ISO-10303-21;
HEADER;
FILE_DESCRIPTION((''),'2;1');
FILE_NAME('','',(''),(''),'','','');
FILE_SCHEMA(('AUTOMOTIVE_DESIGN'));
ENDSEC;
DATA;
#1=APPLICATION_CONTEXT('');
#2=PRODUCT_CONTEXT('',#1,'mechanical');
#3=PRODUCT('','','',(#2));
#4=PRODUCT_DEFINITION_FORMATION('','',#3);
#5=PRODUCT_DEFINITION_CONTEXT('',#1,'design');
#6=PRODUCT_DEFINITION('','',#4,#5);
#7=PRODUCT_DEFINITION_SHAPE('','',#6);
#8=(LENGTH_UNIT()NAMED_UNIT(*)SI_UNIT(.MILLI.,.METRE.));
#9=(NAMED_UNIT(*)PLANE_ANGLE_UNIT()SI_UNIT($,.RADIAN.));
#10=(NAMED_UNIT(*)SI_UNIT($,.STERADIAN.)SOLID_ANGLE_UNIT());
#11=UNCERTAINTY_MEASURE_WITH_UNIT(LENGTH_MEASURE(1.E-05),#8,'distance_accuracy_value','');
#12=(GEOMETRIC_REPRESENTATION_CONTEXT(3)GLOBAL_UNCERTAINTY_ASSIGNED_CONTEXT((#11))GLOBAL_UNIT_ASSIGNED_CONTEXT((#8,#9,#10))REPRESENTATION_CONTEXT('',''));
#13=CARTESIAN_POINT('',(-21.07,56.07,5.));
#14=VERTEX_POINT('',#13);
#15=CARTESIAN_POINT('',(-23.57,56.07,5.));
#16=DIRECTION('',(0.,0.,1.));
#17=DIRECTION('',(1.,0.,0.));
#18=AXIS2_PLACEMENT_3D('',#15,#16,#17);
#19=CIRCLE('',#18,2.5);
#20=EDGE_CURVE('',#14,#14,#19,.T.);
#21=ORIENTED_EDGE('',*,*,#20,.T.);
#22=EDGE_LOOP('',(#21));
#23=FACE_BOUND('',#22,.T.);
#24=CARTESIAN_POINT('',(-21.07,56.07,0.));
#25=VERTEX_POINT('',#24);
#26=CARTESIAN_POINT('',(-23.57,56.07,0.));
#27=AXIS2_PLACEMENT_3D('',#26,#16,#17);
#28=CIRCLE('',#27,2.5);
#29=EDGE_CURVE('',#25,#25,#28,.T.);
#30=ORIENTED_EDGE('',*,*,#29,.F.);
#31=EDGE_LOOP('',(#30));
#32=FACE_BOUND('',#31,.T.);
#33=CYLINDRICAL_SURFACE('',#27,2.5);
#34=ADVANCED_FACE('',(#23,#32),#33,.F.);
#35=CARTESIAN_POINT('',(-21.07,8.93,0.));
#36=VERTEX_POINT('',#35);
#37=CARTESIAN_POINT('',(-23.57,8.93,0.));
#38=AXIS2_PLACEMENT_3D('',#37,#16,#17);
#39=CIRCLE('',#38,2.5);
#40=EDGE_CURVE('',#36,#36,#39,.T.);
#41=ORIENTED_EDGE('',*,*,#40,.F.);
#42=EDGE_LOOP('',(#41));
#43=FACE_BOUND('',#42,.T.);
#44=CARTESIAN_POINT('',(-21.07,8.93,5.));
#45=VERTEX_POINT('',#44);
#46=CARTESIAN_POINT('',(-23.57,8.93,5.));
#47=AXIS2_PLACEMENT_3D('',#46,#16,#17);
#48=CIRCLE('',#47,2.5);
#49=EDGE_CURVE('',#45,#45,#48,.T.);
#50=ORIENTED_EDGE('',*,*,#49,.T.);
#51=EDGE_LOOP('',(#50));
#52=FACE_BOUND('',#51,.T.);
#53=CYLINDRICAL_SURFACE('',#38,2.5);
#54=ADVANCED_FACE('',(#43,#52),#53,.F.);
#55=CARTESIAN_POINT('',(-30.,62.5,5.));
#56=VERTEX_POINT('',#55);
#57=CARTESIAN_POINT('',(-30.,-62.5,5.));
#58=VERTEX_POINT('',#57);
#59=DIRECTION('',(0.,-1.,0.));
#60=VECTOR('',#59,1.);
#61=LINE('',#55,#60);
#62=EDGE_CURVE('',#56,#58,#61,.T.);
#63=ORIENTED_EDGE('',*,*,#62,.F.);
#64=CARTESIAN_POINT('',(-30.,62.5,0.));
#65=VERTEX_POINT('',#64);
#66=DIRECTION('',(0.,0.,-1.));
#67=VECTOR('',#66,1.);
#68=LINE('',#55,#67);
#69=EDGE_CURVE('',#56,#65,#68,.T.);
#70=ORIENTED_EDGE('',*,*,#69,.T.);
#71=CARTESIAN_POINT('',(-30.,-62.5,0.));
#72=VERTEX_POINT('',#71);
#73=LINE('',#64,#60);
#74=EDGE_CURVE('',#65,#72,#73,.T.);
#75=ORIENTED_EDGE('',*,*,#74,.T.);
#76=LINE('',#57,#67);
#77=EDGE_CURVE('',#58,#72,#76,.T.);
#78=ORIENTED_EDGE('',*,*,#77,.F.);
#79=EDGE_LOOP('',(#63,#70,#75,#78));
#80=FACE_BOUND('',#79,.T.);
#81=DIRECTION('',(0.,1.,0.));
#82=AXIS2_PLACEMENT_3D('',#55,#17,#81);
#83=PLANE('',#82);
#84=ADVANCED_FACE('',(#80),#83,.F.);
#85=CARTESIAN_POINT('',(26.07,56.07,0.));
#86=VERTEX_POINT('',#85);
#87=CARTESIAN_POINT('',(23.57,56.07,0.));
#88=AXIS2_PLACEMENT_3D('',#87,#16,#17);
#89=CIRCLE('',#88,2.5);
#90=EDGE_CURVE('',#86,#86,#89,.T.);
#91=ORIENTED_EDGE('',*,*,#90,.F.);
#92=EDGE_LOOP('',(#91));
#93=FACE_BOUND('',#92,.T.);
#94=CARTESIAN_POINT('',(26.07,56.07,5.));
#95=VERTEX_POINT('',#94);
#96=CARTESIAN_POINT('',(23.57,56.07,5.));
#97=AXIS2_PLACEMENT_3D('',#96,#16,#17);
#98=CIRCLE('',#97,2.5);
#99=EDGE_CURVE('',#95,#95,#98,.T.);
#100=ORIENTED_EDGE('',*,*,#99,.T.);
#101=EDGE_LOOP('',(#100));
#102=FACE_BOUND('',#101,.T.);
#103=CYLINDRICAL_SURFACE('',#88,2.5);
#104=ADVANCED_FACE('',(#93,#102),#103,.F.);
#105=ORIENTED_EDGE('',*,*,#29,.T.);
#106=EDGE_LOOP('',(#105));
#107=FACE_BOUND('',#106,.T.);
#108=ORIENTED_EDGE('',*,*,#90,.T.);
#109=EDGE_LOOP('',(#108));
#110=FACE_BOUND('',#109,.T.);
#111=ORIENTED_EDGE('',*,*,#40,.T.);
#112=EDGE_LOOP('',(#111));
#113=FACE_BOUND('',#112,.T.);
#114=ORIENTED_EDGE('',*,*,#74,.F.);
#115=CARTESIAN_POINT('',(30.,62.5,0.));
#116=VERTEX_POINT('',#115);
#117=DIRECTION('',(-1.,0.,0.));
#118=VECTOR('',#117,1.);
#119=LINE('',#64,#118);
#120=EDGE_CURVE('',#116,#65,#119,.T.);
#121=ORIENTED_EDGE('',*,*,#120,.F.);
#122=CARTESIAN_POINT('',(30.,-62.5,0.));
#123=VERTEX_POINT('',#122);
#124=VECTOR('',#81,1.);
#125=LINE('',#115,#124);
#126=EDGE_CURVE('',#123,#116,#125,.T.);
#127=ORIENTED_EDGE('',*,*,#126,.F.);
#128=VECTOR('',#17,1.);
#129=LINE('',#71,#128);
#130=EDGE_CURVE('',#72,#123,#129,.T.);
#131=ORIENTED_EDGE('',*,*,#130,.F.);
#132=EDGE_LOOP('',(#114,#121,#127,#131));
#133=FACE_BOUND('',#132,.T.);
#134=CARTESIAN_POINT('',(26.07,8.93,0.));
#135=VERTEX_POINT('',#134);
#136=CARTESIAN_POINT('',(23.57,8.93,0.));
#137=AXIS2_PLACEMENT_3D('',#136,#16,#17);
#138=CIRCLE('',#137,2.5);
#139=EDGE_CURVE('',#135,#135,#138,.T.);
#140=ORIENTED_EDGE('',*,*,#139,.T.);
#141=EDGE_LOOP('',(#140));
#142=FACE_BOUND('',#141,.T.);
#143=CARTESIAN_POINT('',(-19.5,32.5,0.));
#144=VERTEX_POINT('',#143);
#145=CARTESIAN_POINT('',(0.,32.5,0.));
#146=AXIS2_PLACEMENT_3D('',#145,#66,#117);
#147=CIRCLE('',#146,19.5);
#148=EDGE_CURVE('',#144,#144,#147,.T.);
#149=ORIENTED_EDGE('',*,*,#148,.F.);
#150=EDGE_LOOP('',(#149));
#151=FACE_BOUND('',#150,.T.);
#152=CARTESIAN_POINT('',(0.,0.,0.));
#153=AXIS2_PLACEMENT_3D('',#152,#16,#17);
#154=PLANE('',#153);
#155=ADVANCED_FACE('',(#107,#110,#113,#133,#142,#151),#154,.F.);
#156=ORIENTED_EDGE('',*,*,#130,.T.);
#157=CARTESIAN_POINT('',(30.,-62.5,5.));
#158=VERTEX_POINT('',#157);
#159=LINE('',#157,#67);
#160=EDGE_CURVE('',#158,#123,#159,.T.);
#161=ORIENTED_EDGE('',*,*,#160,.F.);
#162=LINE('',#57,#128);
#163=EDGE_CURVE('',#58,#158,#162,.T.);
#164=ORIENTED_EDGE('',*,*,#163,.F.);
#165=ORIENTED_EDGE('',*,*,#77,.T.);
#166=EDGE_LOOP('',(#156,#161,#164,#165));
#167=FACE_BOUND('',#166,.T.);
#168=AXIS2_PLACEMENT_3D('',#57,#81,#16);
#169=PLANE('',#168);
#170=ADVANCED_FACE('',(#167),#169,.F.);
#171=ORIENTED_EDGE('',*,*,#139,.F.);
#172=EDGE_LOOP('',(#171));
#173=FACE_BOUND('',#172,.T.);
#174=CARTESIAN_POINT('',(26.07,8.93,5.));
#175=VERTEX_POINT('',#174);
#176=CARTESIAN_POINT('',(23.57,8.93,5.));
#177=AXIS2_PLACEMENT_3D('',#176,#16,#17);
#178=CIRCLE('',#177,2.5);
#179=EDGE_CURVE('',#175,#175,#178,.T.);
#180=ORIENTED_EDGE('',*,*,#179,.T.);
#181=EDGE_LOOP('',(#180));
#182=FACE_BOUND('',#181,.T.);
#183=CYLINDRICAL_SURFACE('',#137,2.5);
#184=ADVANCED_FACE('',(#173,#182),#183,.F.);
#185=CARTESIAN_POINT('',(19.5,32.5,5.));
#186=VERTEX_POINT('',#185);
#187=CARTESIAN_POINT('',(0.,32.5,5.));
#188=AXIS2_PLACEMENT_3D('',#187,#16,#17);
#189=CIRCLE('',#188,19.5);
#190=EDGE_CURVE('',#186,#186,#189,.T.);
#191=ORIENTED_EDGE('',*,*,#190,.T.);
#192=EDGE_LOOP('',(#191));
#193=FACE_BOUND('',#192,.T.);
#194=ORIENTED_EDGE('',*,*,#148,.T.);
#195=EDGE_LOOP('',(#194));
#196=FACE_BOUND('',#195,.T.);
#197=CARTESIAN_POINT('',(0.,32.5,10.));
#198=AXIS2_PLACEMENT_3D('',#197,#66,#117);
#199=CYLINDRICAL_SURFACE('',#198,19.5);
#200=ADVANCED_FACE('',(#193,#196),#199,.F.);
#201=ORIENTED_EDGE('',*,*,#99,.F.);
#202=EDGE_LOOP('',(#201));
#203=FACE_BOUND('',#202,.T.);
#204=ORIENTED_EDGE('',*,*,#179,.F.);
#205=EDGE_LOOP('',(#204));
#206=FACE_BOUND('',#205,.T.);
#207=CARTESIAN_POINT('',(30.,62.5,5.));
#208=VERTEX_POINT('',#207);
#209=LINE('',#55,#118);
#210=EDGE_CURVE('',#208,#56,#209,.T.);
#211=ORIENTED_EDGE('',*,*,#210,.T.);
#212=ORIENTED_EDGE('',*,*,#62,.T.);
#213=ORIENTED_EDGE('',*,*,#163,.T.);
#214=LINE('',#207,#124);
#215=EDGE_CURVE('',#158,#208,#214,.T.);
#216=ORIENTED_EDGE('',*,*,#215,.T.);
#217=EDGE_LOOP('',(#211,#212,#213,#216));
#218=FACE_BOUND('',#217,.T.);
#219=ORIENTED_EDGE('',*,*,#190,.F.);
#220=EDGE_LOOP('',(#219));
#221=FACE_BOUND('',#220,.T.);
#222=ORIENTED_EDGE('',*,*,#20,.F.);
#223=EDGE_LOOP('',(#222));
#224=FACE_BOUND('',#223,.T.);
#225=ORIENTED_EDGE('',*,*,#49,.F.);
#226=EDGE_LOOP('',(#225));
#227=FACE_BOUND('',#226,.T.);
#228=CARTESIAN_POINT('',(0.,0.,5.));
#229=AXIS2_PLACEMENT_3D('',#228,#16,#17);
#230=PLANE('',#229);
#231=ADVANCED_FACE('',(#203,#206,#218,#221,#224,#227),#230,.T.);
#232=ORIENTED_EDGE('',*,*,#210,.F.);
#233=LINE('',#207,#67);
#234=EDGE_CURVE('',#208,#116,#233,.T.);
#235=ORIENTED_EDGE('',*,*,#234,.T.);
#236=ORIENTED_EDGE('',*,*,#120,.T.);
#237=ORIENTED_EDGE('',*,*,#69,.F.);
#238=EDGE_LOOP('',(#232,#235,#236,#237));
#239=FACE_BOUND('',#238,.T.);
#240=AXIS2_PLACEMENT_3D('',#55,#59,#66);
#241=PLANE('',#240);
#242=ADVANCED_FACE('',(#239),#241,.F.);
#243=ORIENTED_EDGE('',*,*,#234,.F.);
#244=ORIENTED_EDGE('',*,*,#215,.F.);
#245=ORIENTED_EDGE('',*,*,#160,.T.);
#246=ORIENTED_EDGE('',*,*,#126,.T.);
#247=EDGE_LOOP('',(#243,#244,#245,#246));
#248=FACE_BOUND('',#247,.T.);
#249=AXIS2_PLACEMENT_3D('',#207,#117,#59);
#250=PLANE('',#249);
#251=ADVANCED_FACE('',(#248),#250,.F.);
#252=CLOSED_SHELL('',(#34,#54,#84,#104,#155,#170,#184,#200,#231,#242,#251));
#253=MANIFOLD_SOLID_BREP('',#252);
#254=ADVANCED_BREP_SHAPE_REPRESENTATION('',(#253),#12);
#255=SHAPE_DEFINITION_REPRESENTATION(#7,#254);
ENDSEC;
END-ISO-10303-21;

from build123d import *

# Parameters (mm, degrees)
SKETCH_1_W          = 60
SKETCH_1_H          = 125
EXTRUDE_1_DEPTH     = 5
SKETCH_4_R          = 19.5
CUT_EXTRUDE_2_DEPTH = 10
SKETCH_2_R          = 2.5
CUT_EXTRUDE_1_DEPTH = 5


with BuildPart() as part:
    # 스케치1 → 보스-돌출1 (new body)
    with BuildSketch(Plane.XY):
        Rectangle(SKETCH_1_W, SKETCH_1_H)
    extrude(amount=EXTRUDE_1_DEPTH)

    # 스케치4 → 컷-돌출2 (cut)
    with BuildSketch(Plane(origin=(0, 0, 0), x_dir=(-1, 0, 0), z_dir=(0, 0, -1))):
        with Locations((0, 32.5)):
            Circle(SKETCH_4_R)
    extrude(amount=-CUT_EXTRUDE_2_DEPTH, mode=Mode.SUBTRACT)

    # 스케치2 → 컷-돌출1 (cut)
    with BuildSketch(Plane.XY.offset(5)):
        with Locations((23.57, 56.07)):
            Circle(SKETCH_2_R)
        with Locations((23.57, 8.93)):
            Circle(SKETCH_2_R)
        with Locations((-23.57, 8.93)):
            Circle(SKETCH_2_R)
        with Locations((-23.57, 56.07)):
            Circle(SKETCH_2_R)
    extrude(amount=-CUT_EXTRUDE_1_DEPTH, mode=Mode.SUBTRACT)


solid = part.part
